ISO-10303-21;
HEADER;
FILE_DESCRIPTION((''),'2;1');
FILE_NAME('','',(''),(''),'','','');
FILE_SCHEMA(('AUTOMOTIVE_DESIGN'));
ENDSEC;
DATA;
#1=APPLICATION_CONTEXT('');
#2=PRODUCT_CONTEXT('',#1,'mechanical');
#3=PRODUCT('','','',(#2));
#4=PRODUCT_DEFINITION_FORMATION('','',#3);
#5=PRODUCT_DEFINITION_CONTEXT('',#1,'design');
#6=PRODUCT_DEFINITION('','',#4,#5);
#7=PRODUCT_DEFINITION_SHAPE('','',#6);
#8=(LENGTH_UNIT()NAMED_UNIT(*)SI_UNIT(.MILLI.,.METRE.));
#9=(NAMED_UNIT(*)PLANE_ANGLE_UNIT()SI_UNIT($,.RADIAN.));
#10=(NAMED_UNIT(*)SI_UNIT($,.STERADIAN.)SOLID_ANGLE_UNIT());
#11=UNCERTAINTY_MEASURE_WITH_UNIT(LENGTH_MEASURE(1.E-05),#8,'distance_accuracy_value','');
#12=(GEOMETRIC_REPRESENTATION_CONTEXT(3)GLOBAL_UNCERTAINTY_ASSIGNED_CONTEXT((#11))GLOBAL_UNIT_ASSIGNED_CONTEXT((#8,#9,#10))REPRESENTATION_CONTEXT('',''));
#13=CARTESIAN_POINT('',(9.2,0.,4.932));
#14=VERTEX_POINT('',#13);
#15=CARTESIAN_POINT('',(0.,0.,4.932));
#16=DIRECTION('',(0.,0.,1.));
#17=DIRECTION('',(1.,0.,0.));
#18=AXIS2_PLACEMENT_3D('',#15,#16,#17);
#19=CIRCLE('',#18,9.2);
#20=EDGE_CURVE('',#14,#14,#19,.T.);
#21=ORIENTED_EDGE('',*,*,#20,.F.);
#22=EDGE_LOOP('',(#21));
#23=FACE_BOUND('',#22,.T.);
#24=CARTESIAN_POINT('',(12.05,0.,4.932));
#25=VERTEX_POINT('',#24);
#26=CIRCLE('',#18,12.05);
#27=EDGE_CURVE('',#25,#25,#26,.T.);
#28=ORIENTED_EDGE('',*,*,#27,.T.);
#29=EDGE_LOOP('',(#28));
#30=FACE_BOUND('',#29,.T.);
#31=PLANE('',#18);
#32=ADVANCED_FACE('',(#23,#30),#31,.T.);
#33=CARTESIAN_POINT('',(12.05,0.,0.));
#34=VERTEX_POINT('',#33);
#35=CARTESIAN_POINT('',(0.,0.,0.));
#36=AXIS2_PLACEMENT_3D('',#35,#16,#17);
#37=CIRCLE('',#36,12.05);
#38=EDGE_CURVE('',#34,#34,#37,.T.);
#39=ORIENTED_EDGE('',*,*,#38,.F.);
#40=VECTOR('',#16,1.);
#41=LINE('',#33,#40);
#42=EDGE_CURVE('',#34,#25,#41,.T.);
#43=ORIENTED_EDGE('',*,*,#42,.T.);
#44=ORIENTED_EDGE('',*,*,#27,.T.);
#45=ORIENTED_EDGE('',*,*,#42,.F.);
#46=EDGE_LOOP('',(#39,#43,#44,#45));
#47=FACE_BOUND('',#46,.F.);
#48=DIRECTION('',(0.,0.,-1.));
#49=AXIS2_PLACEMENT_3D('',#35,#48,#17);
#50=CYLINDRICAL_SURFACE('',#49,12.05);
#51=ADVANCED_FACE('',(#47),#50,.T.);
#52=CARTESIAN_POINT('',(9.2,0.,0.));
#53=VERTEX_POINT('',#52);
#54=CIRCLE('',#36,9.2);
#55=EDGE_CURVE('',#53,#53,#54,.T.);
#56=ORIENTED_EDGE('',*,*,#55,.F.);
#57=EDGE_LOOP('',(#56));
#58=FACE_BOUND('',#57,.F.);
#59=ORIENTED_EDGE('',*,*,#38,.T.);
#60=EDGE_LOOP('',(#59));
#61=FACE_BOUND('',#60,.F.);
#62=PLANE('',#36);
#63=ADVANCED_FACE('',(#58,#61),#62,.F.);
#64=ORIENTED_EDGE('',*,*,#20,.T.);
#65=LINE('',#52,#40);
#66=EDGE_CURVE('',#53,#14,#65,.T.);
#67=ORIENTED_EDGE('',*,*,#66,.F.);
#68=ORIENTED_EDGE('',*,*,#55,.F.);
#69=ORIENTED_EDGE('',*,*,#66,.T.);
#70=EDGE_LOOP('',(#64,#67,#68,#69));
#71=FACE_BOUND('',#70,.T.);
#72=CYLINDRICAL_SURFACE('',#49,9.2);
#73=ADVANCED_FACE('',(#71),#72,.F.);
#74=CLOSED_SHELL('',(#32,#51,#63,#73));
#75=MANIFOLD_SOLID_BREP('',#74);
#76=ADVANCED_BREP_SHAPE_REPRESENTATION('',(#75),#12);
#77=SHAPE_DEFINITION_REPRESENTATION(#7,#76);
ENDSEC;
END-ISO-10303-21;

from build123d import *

# Parameters (mm, degrees)
F1_R     = 12.05
F1_R_2   = 9.2
F2_DEPTH = 4.932


with BuildPart() as f2:
    # F1 (on face) → F2 (new body)
    with BuildSketch(Plane.XY):
        Circle(F1_R)
        Circle(F1_R_2, mode=Mode.SUBTRACT)
    extrude(amount=F2_DEPTH)


solid = f2.part
